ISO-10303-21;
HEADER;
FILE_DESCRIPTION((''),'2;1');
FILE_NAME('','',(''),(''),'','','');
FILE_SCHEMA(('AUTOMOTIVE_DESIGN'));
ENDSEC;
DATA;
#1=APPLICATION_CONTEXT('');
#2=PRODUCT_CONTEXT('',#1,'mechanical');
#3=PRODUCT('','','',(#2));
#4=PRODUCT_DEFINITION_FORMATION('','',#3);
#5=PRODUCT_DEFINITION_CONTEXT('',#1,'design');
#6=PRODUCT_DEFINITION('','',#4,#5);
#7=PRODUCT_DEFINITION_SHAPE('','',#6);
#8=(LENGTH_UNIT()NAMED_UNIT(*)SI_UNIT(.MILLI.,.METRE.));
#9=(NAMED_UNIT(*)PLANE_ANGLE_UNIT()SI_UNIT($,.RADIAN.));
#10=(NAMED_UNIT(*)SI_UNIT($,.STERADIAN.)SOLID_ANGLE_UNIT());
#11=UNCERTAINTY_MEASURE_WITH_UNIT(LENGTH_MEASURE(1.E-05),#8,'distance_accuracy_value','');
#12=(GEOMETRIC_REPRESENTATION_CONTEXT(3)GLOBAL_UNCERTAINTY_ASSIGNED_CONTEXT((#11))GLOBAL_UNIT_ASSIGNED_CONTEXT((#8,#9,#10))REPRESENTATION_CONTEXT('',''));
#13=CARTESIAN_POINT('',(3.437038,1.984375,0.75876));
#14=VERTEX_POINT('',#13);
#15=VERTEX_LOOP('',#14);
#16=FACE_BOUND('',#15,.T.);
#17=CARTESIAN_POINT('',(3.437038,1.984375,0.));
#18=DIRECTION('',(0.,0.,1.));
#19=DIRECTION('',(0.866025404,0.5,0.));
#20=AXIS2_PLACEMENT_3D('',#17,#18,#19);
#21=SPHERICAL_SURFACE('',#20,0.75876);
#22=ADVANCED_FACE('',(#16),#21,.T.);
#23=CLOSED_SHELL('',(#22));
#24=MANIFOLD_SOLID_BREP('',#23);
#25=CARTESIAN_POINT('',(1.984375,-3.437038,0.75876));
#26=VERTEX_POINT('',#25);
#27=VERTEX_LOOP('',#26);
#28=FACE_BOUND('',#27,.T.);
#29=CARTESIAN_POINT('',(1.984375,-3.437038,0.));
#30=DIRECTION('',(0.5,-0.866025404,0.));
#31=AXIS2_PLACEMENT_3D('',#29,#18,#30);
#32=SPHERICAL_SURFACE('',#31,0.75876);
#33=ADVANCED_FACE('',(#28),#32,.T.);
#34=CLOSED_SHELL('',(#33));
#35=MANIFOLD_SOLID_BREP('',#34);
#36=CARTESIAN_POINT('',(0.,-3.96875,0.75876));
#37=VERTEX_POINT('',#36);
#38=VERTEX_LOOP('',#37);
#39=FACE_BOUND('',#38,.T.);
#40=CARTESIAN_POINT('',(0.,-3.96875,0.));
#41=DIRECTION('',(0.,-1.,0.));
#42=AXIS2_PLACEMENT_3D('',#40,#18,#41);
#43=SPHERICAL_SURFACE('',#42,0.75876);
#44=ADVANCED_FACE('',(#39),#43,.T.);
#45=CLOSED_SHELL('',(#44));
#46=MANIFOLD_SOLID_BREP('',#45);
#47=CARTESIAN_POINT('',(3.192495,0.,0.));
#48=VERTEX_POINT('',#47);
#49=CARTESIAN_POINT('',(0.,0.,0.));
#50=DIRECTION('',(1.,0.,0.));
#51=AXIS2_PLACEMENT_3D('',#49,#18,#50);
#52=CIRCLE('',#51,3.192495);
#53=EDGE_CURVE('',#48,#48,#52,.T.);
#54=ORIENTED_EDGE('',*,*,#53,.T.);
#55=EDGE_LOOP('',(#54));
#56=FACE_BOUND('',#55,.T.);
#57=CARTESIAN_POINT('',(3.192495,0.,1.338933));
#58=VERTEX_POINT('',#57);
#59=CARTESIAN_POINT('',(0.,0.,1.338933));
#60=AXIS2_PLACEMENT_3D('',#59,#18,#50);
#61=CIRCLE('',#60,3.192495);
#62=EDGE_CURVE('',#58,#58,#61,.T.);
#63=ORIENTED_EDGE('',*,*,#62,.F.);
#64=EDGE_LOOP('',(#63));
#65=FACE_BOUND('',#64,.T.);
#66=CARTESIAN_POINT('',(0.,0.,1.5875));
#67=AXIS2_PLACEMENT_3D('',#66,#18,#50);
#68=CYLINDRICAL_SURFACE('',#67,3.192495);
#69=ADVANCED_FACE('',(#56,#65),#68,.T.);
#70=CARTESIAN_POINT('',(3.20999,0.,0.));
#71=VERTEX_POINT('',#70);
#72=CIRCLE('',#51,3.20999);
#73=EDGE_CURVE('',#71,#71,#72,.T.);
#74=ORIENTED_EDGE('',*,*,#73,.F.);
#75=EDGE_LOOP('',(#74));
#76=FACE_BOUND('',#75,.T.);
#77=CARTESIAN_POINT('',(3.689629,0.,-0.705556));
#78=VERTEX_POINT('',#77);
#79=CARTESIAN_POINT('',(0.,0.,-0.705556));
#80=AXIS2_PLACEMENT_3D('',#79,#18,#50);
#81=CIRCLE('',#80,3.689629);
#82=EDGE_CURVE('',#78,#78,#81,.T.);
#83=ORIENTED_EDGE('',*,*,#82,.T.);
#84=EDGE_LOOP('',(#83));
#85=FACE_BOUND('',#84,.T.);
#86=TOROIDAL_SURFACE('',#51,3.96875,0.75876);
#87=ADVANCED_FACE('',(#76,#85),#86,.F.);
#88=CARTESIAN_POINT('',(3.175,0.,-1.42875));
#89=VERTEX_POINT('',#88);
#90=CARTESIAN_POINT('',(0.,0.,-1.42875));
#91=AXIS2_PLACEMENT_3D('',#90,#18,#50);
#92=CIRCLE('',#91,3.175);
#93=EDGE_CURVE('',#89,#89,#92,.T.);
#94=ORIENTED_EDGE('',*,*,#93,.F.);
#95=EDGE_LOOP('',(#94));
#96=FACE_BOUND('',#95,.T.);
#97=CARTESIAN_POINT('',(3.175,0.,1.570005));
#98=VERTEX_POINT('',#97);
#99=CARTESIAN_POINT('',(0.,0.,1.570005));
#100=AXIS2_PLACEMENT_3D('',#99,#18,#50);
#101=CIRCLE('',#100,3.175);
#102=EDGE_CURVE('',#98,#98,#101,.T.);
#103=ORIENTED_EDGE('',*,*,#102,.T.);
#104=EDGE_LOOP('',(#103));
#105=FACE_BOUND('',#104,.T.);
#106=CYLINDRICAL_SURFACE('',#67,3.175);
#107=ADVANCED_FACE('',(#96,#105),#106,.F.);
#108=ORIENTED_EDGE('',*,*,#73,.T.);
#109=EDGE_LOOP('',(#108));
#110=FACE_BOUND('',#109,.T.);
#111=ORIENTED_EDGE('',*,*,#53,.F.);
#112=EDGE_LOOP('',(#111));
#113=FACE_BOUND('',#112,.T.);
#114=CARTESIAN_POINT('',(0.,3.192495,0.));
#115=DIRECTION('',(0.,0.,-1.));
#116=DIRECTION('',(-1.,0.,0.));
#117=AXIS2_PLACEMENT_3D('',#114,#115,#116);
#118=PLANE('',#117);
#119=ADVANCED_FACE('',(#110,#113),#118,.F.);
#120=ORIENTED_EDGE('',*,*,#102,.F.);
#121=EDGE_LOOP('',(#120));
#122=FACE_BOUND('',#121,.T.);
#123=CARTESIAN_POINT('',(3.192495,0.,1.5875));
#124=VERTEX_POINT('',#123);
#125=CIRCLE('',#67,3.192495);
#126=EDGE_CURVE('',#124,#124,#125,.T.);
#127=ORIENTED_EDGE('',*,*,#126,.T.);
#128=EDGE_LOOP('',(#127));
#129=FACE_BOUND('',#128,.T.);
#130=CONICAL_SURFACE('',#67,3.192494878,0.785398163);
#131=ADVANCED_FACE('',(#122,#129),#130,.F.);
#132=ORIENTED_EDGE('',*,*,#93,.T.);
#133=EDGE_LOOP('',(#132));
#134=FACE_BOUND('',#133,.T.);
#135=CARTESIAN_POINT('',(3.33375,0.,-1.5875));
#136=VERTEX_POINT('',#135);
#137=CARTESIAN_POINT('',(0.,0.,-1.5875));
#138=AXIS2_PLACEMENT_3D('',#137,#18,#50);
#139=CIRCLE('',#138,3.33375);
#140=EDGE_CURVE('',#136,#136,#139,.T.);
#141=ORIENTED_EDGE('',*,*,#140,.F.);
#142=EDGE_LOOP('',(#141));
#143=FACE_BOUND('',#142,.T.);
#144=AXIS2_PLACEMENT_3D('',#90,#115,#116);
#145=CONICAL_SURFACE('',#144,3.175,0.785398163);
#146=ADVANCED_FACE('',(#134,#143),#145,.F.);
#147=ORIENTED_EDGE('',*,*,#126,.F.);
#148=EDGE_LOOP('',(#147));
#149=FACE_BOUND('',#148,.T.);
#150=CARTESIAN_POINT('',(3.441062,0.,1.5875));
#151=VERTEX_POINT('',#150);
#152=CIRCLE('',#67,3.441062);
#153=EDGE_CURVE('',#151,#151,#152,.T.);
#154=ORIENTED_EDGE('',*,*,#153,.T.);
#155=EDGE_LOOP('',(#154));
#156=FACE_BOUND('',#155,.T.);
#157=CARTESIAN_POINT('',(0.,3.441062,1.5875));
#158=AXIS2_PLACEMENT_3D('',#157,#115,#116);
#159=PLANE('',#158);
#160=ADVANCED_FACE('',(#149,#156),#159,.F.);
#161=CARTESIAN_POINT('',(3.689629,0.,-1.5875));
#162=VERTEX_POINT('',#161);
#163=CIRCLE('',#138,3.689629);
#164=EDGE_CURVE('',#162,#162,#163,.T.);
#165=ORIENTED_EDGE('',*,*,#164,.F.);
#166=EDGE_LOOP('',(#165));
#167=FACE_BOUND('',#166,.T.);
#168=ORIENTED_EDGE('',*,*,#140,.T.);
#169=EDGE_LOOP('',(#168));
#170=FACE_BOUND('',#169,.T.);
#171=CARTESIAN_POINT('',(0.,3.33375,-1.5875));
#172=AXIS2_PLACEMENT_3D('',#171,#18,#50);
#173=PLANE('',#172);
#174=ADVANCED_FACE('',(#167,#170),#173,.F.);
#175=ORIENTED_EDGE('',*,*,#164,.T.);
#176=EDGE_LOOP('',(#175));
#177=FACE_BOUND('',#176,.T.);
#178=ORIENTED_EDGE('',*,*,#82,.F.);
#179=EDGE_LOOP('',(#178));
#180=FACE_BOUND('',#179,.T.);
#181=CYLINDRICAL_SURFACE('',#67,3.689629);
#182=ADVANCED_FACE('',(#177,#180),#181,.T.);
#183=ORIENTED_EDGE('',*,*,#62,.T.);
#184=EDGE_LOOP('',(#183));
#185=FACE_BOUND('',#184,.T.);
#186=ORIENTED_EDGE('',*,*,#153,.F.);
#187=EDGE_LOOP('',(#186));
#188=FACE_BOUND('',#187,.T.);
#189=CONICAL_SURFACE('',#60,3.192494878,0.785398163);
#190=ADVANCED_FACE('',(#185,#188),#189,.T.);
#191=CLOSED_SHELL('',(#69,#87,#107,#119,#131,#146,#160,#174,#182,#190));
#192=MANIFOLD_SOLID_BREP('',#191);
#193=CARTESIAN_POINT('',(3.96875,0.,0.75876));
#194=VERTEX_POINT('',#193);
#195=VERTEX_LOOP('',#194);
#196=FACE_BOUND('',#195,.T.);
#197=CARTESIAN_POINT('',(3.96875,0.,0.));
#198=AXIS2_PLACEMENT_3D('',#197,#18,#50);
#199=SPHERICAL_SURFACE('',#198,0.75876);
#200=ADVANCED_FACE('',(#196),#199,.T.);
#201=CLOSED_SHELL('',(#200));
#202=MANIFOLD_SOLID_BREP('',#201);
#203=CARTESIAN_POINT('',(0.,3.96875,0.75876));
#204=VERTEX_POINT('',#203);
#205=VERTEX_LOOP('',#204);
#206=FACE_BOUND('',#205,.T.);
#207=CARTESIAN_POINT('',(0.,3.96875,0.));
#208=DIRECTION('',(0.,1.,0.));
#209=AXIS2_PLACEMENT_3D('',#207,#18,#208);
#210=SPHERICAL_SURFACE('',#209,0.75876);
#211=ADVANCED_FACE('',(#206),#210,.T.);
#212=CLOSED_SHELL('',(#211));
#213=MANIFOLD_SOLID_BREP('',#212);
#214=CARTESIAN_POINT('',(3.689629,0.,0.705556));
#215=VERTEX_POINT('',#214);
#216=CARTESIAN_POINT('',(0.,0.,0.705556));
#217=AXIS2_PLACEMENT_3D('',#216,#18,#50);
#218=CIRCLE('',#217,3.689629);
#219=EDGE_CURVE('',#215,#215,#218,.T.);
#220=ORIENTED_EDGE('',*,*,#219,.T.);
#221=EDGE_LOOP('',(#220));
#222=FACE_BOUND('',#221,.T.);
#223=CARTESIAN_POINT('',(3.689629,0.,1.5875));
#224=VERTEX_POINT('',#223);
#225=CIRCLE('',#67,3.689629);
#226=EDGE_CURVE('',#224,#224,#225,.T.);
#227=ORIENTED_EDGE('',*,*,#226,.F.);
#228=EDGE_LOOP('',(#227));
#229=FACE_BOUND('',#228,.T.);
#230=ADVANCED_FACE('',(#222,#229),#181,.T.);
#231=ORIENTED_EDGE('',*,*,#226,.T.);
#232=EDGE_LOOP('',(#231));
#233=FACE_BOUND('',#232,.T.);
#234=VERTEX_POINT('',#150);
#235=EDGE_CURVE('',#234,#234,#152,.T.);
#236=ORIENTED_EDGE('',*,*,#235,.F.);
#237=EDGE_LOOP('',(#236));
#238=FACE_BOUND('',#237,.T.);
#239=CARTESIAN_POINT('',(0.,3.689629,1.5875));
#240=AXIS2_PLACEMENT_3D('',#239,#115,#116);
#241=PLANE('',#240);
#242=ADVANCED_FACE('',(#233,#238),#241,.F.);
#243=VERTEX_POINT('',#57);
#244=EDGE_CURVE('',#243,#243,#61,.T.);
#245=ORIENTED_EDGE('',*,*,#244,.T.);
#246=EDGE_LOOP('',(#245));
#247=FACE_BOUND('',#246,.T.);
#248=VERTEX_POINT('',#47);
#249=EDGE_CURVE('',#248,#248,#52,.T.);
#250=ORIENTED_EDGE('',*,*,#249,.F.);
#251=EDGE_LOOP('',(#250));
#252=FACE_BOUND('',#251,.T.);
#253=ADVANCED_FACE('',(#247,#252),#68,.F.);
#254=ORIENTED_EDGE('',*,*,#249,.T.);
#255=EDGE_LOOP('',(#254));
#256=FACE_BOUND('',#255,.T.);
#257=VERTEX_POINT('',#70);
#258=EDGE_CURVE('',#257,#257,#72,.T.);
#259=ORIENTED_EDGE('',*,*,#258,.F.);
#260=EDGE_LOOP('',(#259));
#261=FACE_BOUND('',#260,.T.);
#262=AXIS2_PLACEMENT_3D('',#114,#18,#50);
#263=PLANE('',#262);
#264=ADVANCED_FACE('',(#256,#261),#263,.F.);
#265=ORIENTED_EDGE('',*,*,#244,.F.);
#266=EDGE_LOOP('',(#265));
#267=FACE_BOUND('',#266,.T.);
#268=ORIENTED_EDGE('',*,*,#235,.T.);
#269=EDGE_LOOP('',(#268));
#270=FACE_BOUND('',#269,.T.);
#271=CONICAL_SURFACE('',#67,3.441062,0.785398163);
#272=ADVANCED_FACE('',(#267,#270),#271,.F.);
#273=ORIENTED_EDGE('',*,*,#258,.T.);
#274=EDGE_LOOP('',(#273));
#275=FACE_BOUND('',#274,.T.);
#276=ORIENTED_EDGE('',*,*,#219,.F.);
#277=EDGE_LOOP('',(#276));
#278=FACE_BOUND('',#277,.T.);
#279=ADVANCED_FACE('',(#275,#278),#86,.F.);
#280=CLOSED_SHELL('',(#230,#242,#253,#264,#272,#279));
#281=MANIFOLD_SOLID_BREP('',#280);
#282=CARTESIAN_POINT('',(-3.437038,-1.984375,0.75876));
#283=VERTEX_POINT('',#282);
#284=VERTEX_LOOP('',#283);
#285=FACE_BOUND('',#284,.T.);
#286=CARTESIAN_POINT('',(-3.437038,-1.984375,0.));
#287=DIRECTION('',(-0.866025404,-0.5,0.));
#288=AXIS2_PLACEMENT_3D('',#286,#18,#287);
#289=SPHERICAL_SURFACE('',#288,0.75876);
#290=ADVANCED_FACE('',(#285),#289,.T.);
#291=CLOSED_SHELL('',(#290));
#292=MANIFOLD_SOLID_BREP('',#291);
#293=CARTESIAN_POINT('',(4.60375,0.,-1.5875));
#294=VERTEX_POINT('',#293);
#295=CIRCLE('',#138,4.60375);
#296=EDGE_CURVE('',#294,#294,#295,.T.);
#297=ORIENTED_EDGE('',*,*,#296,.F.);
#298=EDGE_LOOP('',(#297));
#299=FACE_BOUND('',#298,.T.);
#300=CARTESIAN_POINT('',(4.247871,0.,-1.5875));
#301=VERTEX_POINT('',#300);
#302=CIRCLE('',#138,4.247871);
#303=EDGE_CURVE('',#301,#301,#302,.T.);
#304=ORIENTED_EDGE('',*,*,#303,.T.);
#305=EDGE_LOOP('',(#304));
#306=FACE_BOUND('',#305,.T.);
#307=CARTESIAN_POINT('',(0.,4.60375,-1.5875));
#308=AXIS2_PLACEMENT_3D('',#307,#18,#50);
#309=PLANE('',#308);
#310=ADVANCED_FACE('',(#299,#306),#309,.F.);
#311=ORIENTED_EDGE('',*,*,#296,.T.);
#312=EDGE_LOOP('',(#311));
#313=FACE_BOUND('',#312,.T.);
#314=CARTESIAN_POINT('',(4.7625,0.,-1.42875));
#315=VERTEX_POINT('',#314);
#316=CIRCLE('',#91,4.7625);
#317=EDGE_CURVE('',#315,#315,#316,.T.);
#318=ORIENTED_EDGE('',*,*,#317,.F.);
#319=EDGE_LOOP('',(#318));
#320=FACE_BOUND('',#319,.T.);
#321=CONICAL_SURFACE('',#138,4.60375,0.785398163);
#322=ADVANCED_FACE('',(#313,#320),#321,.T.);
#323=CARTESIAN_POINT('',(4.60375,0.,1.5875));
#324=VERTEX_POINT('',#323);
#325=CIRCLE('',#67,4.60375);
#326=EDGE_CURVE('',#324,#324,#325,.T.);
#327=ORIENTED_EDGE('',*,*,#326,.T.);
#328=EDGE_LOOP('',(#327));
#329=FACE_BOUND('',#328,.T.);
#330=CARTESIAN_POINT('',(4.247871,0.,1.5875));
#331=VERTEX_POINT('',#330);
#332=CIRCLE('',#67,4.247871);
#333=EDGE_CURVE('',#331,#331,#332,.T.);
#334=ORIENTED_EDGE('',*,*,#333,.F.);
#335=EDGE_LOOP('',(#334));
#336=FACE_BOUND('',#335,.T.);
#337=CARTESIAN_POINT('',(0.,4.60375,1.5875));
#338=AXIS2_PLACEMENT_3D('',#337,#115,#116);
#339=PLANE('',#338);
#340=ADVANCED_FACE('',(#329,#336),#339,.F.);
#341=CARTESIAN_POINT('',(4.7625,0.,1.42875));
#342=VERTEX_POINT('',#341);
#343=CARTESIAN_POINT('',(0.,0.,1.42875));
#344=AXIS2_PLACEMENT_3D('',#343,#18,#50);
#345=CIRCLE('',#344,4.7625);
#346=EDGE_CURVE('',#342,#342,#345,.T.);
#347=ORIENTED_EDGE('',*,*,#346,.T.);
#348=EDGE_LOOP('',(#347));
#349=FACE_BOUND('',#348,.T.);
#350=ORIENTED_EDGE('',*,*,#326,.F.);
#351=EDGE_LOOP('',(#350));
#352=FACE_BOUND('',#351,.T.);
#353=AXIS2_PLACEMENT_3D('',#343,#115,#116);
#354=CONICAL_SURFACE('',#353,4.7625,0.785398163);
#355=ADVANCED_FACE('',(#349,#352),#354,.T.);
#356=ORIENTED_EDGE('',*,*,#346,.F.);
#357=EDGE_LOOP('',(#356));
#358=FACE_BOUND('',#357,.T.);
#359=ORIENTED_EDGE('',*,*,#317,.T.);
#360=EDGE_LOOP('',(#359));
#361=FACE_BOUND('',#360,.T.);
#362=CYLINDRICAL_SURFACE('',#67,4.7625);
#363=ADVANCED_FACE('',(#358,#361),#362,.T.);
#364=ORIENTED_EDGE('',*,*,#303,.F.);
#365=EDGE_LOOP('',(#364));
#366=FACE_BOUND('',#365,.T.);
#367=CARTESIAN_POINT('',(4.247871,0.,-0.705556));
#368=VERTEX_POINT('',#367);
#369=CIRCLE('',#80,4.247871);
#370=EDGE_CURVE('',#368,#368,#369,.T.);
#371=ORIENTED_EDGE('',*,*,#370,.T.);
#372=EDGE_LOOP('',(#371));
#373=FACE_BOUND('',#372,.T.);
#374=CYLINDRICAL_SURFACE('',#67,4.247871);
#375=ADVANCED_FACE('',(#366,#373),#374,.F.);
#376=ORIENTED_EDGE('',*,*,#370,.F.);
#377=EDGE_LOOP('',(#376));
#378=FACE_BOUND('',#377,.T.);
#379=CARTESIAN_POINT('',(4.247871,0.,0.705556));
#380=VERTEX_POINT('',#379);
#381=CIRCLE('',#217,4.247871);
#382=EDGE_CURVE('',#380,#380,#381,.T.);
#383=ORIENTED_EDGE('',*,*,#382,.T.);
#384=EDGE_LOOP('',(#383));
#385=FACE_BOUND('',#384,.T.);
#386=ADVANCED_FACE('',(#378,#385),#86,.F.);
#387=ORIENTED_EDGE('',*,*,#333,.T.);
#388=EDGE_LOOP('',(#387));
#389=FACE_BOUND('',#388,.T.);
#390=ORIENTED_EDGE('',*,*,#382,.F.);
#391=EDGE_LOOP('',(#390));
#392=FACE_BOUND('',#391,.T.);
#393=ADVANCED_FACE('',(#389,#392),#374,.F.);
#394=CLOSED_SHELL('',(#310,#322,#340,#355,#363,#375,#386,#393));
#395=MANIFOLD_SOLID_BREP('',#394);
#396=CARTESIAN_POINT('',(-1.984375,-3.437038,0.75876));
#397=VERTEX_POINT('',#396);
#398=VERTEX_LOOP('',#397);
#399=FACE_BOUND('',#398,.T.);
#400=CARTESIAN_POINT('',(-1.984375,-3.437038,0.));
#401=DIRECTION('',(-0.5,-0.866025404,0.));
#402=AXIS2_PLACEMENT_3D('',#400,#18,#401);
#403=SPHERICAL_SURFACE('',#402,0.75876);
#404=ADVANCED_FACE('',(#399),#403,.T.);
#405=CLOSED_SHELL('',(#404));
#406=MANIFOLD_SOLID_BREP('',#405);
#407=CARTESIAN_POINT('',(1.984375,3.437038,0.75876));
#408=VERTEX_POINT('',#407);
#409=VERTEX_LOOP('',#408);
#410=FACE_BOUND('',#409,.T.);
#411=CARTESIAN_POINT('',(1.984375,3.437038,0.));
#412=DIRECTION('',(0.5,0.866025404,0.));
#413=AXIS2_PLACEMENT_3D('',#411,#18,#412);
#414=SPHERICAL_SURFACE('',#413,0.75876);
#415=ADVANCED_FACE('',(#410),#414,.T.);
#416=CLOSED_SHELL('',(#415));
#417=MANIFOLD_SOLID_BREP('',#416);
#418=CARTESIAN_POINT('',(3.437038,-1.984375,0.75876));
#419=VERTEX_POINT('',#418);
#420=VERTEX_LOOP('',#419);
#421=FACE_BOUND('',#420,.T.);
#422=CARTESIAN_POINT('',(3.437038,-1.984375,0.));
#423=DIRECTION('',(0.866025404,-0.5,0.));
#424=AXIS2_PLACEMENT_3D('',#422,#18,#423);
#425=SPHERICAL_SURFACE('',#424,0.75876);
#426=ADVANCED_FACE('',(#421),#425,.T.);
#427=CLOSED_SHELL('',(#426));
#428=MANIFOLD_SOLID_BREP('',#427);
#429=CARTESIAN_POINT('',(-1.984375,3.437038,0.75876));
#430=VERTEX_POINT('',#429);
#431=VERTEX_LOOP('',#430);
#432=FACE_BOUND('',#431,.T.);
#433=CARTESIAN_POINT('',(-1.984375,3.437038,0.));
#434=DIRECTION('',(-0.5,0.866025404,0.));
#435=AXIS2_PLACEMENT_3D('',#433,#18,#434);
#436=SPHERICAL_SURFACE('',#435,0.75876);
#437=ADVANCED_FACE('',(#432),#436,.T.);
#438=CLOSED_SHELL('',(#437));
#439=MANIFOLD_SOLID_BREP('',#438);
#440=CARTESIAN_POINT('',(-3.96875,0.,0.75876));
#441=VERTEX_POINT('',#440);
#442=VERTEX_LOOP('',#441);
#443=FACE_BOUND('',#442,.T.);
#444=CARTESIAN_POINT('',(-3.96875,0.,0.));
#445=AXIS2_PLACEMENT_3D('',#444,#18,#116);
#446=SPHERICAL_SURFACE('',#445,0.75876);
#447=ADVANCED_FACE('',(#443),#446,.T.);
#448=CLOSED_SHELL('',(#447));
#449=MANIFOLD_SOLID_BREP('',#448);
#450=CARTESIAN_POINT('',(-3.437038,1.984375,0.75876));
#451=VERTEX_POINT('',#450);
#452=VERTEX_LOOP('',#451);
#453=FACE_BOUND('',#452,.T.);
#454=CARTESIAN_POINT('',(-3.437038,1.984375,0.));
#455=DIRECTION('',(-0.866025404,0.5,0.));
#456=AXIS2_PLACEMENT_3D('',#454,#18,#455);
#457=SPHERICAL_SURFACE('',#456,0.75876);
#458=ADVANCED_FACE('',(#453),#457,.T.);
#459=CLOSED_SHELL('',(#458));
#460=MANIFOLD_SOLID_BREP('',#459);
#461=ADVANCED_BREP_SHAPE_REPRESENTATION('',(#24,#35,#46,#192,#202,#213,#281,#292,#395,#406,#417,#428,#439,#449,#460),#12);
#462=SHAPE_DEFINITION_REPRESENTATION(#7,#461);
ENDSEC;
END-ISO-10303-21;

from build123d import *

# Parameters (mm, degrees)
CIRPATTERN1_COUNT = 12


with BuildPart() as part:
    # Sketch1 → Revolve1 (revolve)
    with BuildSketch(Plane(origin=(0, 0, 0), x_dir=(0, 0, -1), z_dir=(1, 0, 0)), mode=Mode.PRIVATE) as revolve1_sk:
        with BuildLine():
            Line((1.42875, 4.7625), (-1.42875, 4.7625))
            Line((-1.42875, 4.7625), (-1.5875, 4.60375))
            Line((-1.5875, 4.60375), (-1.5875, 4.247870879))
            Line((-1.5875, 4.247870879), (-0.705555556, 4.247870879))
            ThreePointArc((-0.705555556, 4.247870879), (0, 4.727510244), (0.705555556, 4.247870879))
            Line((0.705555556, 4.247870879), (1.5875, 4.247870879))
            Line((1.5875, 4.247870879), (1.5875, 4.60375))
            Line((1.5875, 4.60375), (1.42875, 4.7625))
        make_face()
    revolve(revolve1_sk.sketch.rotate(Axis((0, 0, 1.5875), (0, 0, -1)), 90), axis=Axis((0, 0, 1.5875), (0, 0, -1)))


with BuildPart() as body_2:
    # Sketch2 → Revolve2 (revolve)
    with BuildSketch(Plane(origin=(0, 0, 0), x_dir=(0, 0, -1), z_dir=(1, 0, 0)), mode=Mode.PRIVATE) as revolve2_sk:
        with BuildLine():
            Line((-1.5875, 3.689629121), (-0.705555556, 3.689629121))
            ThreePointArc((-0.705555556, 3.689629121), (-0.426574308, 3.341253811), (0, 3.209989756))
            Line((0, 3.209989756), (0, 3.192494878))
            Line((0, 3.192494878), (-1.338932879, 3.192494878))
            Line((-1.338932879, 3.192494878), (-1.5875, 3.441062))
            Line((-1.5875, 3.441062), (-1.5875, 3.689629121))
        make_face()
    revolve(revolve2_sk.sketch.rotate(Axis((0, 0, 1.5875), (0, 0, -1)), 90), axis=Axis((0, 0, 1.5875), (0, 0, -1)))


with BuildPart() as body_3:
    # Sketch3 → Revolve3 (revolve)
    with BuildSketch(Plane(origin=(0, 0, 0), x_dir=(0, 0, -1), z_dir=(1, 0, 0)), mode=Mode.PRIVATE) as revolve3_sk:
        with BuildLine():
            Line((-1.5875, 3.441062), (-1.338932879, 3.192494878))
            Line((-1.338932879, 3.192494878), (0, 3.192494878))
            Line((0, 3.192494878), (0, 3.209989756))
            ThreePointArc((0, 3.209989756), (0.426574308, 3.341253811), (0.705555556, 3.689629121))
            Line((0.705555556, 3.689629121), (1.5875, 3.689629121))
            Line((1.5875, 3.689629121), (1.5875, 3.33375))
            Line((1.5875, 3.33375), (1.42875, 3.175))
            Line((1.42875, 3.175), (-1.570005122, 3.175))
            Line((-1.570005122, 3.175), (-1.5875, 3.192494878))
            Line((-1.5875, 3.192494878), (-1.5875, 3.441062))
        make_face()
    revolve(revolve3_sk.sketch.rotate(Axis((0, 0, 1.5875), (0, 0, -1)), 90), axis=Axis((0, 0, 1.5875), (0, 0, -1)))


with BuildPart() as body_4:
    # Sketch4 → Revolve4 (revolve)
    with BuildSketch(Plane(origin=(0, 0, 0), x_dir=(0, 0, -1), z_dir=(1, 0, 0))):
        with BuildLine():
            Line((-0.758760244, 3.96875), (0.758760244, 3.96875))
            ThreePointArc((0.758760244, 3.96875), (0, 4.727510244), (-0.758760244, 3.96875))
        make_face()
    revolve(axis=Axis((0, 3.96875, 0.758760244), (0, 0, -1)))


with BuildPart() as cirpattern1_1:
    # CirPattern1: pattern copy
    add(body_4.part.rotate(Axis((0, 0, 0), (0, 0, 1)), 1 * 360 / CIRPATTERN1_COUNT))


with BuildPart() as cirpattern1_2:
    # CirPattern1: pattern copy
    add(body_4.part.rotate(Axis((0, 0, 0), (0, 0, 1)), 2 * 360 / CIRPATTERN1_COUNT))


with BuildPart() as cirpattern1_3:
    # CirPattern1: pattern copy
    add(body_4.part.rotate(Axis((0, 0, 0), (0, 0, 1)), 3 * 360 / CIRPATTERN1_COUNT))


with BuildPart() as cirpattern1_4:
    # CirPattern1: pattern copy
    add(body_4.part.rotate(Axis((0, 0, 0), (0, 0, 1)), 4 * 360 / CIRPATTERN1_COUNT))


with BuildPart() as cirpattern1_5:
    # CirPattern1: pattern copy
    add(body_4.part.rotate(Axis((0, 0, 0), (0, 0, 1)), 5 * 360 / CIRPATTERN1_COUNT))


with BuildPart() as cirpattern1_6:
    # CirPattern1: pattern copy
    add(body_4.part.rotate(Axis((0, 0, 0), (0, 0, 1)), 6 * 360 / CIRPATTERN1_COUNT))


with BuildPart() as cirpattern1_7:
    # CirPattern1: pattern copy
    add(body_4.part.rotate(Axis((0, 0, 0), (0, 0, 1)), 7 * 360 / CIRPATTERN1_COUNT))


with BuildPart() as cirpattern1_8:
    # CirPattern1: pattern copy
    add(body_4.part.rotate(Axis((0, 0, 0), (0, 0, 1)), 8 * 360 / CIRPATTERN1_COUNT))


with BuildPart() as cirpattern1_9:
    # CirPattern1: pattern copy
    add(body_4.part.rotate(Axis((0, 0, 0), (0, 0, 1)), 9 * 360 / CIRPATTERN1_COUNT))


with BuildPart() as cirpattern1_10:
    # CirPattern1: pattern copy
    add(body_4.part.rotate(Axis((0, 0, 0), (0, 0, 1)), 10 * 360 / CIRPATTERN1_COUNT))


with BuildPart() as cirpattern1_11:
    # CirPattern1: pattern copy
    add(body_4.part.rotate(Axis((0, 0, 0), (0, 0, 1)), 11 * 360 / CIRPATTERN1_COUNT))


solid = Compound([part.part, body_2.part, body_3.part, body_4.part, cirpattern1_1.part, cirpattern1_2.part, cirpattern1_3.part, cirpattern1_4.part, cirpattern1_5.part, cirpattern1_6.part, cirpattern1_7.part, cirpattern1_8.part, cirpattern1_9.part, cirpattern1_10.part, cirpattern1_11.part])
